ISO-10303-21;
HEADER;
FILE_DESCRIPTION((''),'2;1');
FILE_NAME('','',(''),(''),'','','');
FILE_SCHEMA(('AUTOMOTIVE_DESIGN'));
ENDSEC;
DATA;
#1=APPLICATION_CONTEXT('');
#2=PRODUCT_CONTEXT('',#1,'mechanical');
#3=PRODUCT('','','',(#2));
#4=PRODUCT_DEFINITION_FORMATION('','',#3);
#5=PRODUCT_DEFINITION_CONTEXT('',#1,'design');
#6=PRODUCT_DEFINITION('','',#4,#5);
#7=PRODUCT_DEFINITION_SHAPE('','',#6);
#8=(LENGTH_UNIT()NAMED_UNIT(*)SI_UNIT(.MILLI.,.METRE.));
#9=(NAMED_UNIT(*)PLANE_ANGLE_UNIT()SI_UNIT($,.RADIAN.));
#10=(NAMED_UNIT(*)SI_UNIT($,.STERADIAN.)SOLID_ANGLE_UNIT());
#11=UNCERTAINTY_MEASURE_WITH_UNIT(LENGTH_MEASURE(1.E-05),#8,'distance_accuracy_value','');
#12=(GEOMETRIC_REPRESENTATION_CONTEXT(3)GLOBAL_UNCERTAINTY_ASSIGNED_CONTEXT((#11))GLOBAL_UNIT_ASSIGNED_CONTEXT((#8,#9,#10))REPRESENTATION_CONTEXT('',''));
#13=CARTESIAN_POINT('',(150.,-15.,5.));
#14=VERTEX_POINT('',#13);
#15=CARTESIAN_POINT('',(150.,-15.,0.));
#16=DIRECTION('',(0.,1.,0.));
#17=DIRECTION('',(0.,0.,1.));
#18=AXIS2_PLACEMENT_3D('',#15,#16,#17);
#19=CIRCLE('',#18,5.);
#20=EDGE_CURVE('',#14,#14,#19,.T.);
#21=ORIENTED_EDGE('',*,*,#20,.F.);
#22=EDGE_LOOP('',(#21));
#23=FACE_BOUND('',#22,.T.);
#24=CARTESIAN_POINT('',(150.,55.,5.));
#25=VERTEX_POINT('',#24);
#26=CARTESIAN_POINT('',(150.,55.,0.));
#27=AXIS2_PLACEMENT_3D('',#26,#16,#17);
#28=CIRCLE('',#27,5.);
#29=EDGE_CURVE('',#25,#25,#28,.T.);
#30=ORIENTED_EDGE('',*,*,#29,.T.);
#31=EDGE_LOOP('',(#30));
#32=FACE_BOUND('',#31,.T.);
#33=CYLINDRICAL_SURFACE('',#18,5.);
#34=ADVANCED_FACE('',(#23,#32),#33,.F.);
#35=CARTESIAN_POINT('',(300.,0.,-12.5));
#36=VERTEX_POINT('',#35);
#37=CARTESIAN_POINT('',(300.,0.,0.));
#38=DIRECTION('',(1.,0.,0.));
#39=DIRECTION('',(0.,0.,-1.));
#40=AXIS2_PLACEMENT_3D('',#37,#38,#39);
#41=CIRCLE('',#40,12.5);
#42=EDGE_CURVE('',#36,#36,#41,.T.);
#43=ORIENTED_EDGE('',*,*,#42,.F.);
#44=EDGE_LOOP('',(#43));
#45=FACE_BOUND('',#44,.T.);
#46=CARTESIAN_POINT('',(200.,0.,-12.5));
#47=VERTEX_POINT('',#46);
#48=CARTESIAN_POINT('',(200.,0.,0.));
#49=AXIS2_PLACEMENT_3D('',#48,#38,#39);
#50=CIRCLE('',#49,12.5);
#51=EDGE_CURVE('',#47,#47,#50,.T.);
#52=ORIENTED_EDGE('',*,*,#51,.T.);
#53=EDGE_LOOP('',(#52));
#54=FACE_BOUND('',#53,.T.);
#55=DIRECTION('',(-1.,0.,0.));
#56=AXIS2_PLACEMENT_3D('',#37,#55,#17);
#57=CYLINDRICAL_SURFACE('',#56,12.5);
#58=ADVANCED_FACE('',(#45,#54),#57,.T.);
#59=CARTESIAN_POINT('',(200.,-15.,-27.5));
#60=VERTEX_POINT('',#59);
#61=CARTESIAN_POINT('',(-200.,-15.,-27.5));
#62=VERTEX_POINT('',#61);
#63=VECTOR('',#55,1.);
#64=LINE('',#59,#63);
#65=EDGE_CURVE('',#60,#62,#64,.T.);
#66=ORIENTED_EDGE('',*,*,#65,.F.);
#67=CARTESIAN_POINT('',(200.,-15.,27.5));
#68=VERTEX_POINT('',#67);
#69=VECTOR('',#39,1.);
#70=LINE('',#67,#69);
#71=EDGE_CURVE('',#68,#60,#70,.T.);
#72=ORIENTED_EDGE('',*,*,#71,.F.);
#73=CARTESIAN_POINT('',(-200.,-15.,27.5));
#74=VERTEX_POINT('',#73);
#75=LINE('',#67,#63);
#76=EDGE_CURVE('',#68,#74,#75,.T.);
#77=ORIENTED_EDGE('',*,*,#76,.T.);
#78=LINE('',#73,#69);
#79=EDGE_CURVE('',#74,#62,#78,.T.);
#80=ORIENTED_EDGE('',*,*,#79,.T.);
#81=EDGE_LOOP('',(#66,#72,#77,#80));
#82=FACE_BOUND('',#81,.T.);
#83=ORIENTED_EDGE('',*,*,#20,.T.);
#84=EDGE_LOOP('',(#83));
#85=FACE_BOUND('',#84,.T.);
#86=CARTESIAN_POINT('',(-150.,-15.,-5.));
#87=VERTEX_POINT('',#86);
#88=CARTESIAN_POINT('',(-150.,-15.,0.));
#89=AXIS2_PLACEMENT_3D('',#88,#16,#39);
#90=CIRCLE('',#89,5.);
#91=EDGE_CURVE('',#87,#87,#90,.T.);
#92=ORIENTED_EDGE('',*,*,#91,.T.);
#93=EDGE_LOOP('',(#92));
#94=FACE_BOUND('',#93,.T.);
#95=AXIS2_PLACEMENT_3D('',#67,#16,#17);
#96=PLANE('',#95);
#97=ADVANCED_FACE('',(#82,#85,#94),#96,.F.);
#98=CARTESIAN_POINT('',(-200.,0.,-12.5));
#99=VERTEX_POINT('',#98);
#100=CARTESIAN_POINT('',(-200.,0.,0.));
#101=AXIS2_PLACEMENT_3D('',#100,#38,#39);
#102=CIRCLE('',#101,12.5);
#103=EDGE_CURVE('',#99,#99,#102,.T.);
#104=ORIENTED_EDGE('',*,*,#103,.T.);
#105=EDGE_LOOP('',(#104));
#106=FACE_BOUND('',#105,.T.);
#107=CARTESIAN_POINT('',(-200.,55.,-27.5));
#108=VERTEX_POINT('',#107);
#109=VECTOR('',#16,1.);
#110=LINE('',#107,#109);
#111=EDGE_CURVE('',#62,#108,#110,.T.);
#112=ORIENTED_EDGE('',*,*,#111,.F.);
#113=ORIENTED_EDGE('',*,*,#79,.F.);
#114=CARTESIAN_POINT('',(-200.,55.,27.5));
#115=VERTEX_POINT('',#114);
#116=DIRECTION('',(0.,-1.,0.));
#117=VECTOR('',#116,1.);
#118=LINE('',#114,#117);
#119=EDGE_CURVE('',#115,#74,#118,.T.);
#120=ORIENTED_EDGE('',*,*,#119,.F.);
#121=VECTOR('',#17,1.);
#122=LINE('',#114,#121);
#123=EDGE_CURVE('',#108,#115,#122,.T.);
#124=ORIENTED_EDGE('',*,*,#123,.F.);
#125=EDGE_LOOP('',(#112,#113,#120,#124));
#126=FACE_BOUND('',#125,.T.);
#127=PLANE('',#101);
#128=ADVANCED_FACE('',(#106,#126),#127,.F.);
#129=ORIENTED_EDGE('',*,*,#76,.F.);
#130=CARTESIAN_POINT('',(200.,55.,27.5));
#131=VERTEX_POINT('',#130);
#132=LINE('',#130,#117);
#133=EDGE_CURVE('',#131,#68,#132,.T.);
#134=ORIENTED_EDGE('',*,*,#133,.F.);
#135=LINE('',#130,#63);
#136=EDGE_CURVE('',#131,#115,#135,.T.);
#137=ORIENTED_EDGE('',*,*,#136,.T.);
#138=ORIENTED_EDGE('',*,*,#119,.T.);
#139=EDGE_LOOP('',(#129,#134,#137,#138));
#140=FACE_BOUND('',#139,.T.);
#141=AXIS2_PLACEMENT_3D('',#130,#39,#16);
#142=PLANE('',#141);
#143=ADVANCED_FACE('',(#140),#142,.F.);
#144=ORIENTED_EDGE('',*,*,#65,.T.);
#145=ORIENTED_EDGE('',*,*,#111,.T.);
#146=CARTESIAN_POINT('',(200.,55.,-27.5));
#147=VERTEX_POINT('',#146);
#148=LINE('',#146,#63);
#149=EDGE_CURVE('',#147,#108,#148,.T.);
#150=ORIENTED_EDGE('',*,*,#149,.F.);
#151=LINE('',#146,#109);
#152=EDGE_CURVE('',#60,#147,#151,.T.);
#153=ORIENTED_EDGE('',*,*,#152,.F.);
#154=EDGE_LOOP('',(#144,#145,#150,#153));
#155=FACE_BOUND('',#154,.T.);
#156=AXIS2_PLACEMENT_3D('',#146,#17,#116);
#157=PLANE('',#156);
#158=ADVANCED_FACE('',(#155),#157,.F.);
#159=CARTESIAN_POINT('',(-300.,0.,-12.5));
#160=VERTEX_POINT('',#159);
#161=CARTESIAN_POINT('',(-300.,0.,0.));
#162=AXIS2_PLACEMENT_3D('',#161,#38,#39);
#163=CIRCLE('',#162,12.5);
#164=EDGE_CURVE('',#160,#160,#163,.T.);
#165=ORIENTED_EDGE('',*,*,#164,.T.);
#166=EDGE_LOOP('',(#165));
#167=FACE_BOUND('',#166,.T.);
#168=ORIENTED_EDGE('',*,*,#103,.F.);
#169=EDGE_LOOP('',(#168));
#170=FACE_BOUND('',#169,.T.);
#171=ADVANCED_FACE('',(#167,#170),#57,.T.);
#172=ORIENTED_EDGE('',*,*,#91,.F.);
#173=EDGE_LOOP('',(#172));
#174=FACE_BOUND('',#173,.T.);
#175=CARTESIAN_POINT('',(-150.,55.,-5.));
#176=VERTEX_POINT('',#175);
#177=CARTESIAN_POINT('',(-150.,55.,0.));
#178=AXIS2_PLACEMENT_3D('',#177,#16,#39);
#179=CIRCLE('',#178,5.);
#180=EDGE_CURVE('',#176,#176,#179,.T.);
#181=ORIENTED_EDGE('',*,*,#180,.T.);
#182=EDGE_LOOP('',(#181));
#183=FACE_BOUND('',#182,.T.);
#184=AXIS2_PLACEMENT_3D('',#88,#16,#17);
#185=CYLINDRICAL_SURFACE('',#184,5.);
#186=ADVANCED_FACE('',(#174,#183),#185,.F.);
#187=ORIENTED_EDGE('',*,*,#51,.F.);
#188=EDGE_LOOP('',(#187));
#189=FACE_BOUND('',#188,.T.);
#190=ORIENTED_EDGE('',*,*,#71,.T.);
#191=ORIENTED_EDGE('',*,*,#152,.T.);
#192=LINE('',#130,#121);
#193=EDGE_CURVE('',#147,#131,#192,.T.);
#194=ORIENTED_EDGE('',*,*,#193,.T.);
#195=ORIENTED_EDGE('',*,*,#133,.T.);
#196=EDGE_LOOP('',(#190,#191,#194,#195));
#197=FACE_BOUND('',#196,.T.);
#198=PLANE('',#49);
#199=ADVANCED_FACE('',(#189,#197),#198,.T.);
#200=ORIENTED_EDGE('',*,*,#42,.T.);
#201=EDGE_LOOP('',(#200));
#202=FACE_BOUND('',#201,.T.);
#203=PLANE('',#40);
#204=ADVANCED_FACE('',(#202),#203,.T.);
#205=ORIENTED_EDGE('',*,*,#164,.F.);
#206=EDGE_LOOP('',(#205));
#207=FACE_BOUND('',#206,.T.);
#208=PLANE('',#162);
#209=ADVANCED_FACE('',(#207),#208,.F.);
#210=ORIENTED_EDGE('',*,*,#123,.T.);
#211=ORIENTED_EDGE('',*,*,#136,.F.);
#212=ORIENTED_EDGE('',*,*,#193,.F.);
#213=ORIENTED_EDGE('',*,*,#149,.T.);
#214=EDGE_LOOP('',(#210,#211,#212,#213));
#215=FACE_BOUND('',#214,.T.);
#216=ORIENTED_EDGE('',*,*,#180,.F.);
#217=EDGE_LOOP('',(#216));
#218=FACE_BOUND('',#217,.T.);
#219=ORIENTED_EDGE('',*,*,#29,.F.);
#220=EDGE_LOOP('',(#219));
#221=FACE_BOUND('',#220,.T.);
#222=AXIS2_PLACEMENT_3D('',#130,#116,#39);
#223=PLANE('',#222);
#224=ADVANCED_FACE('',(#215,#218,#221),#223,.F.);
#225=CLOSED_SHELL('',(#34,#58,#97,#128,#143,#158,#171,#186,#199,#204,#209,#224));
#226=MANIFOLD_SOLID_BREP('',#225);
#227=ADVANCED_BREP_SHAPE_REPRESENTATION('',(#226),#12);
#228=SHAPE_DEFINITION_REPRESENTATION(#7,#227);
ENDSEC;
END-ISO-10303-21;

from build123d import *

# Parameters (mm, degrees)
SKETCH2_R           = 12.5
BOSS_EXTRUDE1_DEPTH = 300
SKETCH3_W           = 55
SKETCH3_H           = 70
BOSS_EXTRUDE2_DEPTH = 200
SKETCH4_R           = 5
CUT_EXTRUDE1_DEPTH  = 310.283446049


with BuildPart() as part:
    # Sketch2 → Boss-Extrude1 (new, symmetric)
    with BuildSketch(Plane(origin=(0, 0, 0), x_dir=(0, 0, -1), z_dir=(1, 0, 0))):
        Circle(SKETCH2_R)
    extrude(amount=BOSS_EXTRUDE1_DEPTH, both=True)

    # Sketch3 → Boss-Extrude2 (add, symmetric)
    with BuildSketch(Plane(origin=(0, 0, 0), x_dir=(0, 0, -1), z_dir=(1, 0, 0))):
        with Locations((0, 20)):
            Rectangle(SKETCH3_W, SKETCH3_H)
    extrude(amount=BOSS_EXTRUDE2_DEPTH, both=True)

    # Sketch4 → Cut-Extrude1 (cut, through all)
    with BuildSketch(Plane(origin=(0, 55, 0), x_dir=(1, 0, 0), z_dir=(0, 1, 0))):
        with Locations(Location((150, 0, 0), (0, 0, 270))):
            Circle(SKETCH4_R)
        with Locations(Location((-150, 0, 0), (0, 0, 90))):
            Circle(SKETCH4_R)
    extrude(amount=-CUT_EXTRUDE1_DEPTH, mode=Mode.SUBTRACT)


solid = part.part
